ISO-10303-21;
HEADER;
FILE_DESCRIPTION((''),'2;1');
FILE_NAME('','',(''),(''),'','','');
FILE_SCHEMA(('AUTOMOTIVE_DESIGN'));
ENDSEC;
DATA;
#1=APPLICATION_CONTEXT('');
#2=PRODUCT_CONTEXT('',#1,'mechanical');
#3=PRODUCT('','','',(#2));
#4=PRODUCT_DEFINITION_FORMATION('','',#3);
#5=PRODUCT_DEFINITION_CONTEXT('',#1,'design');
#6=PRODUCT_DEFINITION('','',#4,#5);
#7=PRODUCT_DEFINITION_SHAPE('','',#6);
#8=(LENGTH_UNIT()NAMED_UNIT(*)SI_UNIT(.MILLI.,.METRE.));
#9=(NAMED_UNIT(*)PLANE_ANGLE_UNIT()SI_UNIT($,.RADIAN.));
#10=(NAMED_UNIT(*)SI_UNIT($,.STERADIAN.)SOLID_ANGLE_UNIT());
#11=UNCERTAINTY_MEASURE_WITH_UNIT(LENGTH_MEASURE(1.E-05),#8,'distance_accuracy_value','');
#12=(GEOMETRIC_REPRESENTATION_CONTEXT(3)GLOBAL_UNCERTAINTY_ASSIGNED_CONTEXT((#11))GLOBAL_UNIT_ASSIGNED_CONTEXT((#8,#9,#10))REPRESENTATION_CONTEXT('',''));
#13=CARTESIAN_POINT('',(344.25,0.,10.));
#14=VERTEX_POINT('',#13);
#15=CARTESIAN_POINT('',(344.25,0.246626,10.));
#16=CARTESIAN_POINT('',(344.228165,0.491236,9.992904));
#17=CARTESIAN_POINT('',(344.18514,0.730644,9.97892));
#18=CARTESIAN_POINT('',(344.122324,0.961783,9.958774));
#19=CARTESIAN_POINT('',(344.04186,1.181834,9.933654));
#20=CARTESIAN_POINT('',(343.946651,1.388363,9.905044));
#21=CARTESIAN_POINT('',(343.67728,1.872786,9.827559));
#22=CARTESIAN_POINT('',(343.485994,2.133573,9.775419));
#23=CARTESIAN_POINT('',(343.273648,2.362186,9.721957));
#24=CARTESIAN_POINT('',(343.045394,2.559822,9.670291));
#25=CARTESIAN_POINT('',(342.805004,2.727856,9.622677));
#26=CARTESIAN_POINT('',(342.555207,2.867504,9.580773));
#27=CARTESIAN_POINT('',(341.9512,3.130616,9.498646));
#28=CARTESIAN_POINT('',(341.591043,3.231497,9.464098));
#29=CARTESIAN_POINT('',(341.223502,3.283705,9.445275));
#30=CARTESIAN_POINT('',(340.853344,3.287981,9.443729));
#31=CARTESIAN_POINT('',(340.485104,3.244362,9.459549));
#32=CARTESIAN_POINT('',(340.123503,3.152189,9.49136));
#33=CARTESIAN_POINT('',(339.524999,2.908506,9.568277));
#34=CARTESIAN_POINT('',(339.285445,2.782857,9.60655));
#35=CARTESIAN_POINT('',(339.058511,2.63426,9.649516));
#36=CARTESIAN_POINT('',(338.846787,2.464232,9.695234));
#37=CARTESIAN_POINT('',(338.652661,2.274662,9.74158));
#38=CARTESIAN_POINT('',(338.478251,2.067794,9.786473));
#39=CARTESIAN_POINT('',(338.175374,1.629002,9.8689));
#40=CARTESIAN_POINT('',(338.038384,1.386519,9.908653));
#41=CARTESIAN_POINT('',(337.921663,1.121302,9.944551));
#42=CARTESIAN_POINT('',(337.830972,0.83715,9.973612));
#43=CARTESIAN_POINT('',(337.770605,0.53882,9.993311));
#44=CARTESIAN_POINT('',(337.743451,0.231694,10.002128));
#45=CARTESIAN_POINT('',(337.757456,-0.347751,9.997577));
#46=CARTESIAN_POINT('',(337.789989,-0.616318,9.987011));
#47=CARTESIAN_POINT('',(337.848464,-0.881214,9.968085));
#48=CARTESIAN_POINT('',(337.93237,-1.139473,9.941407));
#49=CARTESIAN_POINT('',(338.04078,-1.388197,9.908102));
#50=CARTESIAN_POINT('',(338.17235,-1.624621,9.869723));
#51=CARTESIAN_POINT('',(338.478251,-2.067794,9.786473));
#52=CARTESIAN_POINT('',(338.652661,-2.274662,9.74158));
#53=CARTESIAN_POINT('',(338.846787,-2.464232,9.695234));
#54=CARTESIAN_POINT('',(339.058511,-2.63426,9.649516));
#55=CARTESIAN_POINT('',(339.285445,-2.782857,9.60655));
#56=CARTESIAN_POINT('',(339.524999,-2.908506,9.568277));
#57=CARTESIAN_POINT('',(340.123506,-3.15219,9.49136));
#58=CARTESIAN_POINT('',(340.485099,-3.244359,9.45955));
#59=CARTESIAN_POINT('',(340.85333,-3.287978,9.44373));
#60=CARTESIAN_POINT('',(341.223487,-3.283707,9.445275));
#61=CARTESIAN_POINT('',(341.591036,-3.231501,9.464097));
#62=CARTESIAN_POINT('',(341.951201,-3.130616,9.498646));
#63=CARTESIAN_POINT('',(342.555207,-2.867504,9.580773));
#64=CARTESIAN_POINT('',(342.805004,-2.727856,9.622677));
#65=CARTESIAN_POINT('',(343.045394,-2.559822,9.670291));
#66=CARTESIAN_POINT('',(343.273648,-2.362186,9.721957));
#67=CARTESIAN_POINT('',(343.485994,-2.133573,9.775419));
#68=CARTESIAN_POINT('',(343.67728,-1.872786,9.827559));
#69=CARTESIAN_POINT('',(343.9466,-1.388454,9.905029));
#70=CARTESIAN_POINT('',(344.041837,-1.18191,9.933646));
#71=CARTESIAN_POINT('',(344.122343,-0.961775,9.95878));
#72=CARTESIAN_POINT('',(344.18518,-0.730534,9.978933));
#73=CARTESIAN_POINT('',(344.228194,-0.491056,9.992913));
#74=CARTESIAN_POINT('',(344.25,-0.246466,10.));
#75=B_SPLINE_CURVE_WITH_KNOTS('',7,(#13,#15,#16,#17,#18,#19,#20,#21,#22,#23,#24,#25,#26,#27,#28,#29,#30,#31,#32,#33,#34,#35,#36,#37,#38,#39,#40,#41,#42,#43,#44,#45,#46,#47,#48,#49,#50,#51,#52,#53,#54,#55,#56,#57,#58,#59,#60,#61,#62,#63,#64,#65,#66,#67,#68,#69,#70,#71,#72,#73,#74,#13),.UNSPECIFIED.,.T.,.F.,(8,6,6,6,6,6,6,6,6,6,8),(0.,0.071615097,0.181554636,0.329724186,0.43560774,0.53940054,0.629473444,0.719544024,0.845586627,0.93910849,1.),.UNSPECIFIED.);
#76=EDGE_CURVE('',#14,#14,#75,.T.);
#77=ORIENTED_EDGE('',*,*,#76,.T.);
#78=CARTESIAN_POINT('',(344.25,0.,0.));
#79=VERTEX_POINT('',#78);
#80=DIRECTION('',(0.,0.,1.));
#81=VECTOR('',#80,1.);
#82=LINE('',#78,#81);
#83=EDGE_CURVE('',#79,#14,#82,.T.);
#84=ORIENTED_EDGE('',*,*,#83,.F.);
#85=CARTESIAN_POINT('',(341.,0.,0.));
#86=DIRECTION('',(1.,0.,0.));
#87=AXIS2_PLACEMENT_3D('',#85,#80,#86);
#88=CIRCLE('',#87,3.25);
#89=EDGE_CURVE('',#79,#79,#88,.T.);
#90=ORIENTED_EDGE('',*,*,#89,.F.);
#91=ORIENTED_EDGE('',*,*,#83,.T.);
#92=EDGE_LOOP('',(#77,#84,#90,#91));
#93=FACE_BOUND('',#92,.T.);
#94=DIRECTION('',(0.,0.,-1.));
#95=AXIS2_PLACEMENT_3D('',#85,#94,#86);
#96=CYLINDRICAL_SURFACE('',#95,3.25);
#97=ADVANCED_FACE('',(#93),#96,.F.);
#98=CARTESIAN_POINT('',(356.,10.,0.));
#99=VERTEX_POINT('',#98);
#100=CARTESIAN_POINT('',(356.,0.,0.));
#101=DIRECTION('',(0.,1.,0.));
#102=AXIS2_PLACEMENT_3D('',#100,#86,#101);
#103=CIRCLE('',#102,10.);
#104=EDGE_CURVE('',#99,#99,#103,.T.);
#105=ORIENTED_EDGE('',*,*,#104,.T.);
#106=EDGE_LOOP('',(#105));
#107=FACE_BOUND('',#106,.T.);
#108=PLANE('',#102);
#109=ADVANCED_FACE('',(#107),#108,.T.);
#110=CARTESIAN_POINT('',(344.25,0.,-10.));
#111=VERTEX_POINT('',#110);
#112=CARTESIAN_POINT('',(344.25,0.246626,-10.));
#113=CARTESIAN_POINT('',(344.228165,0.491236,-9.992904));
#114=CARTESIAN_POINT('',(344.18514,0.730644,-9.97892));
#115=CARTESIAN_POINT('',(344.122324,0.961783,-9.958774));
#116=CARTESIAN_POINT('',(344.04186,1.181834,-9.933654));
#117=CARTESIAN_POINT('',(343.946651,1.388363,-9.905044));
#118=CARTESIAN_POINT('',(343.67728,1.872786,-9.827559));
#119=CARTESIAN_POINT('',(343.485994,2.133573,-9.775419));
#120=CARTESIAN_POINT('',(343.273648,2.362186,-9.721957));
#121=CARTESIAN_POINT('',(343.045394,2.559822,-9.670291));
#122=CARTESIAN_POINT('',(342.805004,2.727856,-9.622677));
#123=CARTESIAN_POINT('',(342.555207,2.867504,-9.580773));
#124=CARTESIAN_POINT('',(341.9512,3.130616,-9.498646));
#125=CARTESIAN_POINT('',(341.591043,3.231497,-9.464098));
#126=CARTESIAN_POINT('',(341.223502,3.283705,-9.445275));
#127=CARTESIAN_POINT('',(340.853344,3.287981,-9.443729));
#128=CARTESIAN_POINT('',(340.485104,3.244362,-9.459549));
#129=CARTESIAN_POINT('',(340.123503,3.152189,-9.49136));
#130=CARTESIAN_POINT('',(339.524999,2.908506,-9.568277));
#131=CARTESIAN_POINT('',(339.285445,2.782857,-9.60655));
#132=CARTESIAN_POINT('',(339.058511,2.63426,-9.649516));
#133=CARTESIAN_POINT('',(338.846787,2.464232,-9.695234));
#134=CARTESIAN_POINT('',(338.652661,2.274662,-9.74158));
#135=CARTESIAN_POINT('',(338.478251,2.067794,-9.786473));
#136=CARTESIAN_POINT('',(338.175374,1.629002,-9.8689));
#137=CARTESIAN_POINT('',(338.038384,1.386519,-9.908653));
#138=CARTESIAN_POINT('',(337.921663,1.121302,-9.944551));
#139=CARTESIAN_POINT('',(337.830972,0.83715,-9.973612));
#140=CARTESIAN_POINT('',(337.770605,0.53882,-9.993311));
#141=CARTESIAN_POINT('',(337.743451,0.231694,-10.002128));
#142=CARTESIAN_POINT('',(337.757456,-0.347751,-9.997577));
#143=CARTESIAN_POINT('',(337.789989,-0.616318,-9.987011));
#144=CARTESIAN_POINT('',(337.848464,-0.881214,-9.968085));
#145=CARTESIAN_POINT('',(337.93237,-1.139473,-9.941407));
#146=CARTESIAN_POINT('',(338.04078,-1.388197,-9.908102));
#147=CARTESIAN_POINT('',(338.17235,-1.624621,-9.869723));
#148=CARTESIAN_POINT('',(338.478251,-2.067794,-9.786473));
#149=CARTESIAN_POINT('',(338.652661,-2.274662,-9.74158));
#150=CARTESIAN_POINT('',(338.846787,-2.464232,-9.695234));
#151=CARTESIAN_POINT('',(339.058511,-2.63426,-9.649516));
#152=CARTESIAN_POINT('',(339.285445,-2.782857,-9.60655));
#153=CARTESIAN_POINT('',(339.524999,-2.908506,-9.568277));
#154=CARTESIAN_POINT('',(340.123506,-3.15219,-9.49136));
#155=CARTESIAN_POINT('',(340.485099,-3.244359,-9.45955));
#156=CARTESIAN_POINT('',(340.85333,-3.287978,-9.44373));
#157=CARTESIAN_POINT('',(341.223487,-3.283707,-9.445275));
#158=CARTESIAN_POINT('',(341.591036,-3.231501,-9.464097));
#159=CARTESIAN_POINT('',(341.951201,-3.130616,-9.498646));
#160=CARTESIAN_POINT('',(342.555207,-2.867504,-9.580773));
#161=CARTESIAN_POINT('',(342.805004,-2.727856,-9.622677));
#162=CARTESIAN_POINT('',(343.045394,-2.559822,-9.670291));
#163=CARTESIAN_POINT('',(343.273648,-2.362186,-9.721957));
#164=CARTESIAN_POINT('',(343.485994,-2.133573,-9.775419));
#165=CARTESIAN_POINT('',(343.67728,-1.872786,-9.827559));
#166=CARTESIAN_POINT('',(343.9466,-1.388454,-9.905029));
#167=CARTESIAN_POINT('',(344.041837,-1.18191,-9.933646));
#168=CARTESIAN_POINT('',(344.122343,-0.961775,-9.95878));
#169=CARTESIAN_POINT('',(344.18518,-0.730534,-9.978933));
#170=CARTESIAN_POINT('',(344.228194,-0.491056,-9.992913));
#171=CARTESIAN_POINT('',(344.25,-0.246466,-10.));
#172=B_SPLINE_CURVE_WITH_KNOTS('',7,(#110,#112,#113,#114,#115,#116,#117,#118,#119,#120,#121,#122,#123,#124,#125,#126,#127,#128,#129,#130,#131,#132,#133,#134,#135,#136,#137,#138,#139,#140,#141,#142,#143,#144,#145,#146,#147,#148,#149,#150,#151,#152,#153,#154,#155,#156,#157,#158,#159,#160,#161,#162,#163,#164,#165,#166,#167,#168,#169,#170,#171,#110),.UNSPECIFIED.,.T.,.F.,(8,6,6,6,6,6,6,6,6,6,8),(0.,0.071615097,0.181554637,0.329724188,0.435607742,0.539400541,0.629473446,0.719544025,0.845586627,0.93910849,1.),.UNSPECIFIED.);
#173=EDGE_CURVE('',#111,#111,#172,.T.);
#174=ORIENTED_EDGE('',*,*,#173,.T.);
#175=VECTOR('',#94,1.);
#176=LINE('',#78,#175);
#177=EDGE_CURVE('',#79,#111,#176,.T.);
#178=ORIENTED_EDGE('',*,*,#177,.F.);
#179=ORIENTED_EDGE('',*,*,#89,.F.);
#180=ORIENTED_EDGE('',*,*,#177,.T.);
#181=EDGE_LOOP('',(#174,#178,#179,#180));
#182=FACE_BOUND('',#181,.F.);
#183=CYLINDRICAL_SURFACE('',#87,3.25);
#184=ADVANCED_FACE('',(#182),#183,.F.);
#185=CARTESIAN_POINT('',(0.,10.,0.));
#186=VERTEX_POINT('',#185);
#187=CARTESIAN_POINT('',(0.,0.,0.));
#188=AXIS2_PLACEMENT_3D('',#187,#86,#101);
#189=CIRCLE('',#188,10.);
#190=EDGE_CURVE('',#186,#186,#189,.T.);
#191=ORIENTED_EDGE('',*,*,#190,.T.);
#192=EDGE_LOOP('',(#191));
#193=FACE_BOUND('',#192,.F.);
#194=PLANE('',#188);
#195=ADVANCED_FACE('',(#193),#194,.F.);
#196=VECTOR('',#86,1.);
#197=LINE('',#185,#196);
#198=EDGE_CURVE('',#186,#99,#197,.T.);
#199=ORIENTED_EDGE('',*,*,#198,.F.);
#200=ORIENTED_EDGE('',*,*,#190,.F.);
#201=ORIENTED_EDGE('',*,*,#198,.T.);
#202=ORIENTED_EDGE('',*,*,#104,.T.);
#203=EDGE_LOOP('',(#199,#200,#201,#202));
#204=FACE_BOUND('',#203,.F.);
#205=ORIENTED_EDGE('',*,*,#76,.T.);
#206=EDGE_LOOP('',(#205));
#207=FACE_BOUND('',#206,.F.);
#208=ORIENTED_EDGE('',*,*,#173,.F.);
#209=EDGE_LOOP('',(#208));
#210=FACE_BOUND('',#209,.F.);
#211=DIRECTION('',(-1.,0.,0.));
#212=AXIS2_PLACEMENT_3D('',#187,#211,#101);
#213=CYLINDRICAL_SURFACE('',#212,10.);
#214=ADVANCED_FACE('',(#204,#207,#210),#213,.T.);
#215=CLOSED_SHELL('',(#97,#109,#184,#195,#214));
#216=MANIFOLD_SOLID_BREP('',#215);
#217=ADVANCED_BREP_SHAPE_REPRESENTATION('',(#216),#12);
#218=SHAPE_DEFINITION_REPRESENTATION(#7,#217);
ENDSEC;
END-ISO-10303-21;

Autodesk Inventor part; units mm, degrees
ref_plane "YZ Plane" through (0, 0, 0) normal (1, 0, 0) x (0, 1, 0)
ref_plane "XZ Plane" through (0, 0, 0) normal (0, 1, 0) x (-1, 0, 0)
ref_plane "XY Plane" through (0, 0, 0) normal (0, 0, 1) x (1, 0, 0)
sketch "Sketch2" plane through (0, 0, 0) normal (1, 0, 0) x (0, 1, 0)
  circle A0 centre (0, 0) radius 10
  dimension "d0" = 20
extrude "Extrusion1" add sketch "Sketch2" along normal blind 356
sketch "Sketch3" plane through (0, 0, 0) normal (0, 0, 1) x (1, 0, 0)
  line L0 (356, -10) -> (356, 10) projected
  line L1 (356, 0) -> (341, 0)
  circle A0 centre (341, 0) radius 3.25
  point P0 (0, 0)
  dimension "d3" = 15
  dimension "d4" = 6.5
extrude "Extrusion2" cut sketch "Sketch3" along normal mid plane 356
properties part number "linac_150mm_1500N_inner"
